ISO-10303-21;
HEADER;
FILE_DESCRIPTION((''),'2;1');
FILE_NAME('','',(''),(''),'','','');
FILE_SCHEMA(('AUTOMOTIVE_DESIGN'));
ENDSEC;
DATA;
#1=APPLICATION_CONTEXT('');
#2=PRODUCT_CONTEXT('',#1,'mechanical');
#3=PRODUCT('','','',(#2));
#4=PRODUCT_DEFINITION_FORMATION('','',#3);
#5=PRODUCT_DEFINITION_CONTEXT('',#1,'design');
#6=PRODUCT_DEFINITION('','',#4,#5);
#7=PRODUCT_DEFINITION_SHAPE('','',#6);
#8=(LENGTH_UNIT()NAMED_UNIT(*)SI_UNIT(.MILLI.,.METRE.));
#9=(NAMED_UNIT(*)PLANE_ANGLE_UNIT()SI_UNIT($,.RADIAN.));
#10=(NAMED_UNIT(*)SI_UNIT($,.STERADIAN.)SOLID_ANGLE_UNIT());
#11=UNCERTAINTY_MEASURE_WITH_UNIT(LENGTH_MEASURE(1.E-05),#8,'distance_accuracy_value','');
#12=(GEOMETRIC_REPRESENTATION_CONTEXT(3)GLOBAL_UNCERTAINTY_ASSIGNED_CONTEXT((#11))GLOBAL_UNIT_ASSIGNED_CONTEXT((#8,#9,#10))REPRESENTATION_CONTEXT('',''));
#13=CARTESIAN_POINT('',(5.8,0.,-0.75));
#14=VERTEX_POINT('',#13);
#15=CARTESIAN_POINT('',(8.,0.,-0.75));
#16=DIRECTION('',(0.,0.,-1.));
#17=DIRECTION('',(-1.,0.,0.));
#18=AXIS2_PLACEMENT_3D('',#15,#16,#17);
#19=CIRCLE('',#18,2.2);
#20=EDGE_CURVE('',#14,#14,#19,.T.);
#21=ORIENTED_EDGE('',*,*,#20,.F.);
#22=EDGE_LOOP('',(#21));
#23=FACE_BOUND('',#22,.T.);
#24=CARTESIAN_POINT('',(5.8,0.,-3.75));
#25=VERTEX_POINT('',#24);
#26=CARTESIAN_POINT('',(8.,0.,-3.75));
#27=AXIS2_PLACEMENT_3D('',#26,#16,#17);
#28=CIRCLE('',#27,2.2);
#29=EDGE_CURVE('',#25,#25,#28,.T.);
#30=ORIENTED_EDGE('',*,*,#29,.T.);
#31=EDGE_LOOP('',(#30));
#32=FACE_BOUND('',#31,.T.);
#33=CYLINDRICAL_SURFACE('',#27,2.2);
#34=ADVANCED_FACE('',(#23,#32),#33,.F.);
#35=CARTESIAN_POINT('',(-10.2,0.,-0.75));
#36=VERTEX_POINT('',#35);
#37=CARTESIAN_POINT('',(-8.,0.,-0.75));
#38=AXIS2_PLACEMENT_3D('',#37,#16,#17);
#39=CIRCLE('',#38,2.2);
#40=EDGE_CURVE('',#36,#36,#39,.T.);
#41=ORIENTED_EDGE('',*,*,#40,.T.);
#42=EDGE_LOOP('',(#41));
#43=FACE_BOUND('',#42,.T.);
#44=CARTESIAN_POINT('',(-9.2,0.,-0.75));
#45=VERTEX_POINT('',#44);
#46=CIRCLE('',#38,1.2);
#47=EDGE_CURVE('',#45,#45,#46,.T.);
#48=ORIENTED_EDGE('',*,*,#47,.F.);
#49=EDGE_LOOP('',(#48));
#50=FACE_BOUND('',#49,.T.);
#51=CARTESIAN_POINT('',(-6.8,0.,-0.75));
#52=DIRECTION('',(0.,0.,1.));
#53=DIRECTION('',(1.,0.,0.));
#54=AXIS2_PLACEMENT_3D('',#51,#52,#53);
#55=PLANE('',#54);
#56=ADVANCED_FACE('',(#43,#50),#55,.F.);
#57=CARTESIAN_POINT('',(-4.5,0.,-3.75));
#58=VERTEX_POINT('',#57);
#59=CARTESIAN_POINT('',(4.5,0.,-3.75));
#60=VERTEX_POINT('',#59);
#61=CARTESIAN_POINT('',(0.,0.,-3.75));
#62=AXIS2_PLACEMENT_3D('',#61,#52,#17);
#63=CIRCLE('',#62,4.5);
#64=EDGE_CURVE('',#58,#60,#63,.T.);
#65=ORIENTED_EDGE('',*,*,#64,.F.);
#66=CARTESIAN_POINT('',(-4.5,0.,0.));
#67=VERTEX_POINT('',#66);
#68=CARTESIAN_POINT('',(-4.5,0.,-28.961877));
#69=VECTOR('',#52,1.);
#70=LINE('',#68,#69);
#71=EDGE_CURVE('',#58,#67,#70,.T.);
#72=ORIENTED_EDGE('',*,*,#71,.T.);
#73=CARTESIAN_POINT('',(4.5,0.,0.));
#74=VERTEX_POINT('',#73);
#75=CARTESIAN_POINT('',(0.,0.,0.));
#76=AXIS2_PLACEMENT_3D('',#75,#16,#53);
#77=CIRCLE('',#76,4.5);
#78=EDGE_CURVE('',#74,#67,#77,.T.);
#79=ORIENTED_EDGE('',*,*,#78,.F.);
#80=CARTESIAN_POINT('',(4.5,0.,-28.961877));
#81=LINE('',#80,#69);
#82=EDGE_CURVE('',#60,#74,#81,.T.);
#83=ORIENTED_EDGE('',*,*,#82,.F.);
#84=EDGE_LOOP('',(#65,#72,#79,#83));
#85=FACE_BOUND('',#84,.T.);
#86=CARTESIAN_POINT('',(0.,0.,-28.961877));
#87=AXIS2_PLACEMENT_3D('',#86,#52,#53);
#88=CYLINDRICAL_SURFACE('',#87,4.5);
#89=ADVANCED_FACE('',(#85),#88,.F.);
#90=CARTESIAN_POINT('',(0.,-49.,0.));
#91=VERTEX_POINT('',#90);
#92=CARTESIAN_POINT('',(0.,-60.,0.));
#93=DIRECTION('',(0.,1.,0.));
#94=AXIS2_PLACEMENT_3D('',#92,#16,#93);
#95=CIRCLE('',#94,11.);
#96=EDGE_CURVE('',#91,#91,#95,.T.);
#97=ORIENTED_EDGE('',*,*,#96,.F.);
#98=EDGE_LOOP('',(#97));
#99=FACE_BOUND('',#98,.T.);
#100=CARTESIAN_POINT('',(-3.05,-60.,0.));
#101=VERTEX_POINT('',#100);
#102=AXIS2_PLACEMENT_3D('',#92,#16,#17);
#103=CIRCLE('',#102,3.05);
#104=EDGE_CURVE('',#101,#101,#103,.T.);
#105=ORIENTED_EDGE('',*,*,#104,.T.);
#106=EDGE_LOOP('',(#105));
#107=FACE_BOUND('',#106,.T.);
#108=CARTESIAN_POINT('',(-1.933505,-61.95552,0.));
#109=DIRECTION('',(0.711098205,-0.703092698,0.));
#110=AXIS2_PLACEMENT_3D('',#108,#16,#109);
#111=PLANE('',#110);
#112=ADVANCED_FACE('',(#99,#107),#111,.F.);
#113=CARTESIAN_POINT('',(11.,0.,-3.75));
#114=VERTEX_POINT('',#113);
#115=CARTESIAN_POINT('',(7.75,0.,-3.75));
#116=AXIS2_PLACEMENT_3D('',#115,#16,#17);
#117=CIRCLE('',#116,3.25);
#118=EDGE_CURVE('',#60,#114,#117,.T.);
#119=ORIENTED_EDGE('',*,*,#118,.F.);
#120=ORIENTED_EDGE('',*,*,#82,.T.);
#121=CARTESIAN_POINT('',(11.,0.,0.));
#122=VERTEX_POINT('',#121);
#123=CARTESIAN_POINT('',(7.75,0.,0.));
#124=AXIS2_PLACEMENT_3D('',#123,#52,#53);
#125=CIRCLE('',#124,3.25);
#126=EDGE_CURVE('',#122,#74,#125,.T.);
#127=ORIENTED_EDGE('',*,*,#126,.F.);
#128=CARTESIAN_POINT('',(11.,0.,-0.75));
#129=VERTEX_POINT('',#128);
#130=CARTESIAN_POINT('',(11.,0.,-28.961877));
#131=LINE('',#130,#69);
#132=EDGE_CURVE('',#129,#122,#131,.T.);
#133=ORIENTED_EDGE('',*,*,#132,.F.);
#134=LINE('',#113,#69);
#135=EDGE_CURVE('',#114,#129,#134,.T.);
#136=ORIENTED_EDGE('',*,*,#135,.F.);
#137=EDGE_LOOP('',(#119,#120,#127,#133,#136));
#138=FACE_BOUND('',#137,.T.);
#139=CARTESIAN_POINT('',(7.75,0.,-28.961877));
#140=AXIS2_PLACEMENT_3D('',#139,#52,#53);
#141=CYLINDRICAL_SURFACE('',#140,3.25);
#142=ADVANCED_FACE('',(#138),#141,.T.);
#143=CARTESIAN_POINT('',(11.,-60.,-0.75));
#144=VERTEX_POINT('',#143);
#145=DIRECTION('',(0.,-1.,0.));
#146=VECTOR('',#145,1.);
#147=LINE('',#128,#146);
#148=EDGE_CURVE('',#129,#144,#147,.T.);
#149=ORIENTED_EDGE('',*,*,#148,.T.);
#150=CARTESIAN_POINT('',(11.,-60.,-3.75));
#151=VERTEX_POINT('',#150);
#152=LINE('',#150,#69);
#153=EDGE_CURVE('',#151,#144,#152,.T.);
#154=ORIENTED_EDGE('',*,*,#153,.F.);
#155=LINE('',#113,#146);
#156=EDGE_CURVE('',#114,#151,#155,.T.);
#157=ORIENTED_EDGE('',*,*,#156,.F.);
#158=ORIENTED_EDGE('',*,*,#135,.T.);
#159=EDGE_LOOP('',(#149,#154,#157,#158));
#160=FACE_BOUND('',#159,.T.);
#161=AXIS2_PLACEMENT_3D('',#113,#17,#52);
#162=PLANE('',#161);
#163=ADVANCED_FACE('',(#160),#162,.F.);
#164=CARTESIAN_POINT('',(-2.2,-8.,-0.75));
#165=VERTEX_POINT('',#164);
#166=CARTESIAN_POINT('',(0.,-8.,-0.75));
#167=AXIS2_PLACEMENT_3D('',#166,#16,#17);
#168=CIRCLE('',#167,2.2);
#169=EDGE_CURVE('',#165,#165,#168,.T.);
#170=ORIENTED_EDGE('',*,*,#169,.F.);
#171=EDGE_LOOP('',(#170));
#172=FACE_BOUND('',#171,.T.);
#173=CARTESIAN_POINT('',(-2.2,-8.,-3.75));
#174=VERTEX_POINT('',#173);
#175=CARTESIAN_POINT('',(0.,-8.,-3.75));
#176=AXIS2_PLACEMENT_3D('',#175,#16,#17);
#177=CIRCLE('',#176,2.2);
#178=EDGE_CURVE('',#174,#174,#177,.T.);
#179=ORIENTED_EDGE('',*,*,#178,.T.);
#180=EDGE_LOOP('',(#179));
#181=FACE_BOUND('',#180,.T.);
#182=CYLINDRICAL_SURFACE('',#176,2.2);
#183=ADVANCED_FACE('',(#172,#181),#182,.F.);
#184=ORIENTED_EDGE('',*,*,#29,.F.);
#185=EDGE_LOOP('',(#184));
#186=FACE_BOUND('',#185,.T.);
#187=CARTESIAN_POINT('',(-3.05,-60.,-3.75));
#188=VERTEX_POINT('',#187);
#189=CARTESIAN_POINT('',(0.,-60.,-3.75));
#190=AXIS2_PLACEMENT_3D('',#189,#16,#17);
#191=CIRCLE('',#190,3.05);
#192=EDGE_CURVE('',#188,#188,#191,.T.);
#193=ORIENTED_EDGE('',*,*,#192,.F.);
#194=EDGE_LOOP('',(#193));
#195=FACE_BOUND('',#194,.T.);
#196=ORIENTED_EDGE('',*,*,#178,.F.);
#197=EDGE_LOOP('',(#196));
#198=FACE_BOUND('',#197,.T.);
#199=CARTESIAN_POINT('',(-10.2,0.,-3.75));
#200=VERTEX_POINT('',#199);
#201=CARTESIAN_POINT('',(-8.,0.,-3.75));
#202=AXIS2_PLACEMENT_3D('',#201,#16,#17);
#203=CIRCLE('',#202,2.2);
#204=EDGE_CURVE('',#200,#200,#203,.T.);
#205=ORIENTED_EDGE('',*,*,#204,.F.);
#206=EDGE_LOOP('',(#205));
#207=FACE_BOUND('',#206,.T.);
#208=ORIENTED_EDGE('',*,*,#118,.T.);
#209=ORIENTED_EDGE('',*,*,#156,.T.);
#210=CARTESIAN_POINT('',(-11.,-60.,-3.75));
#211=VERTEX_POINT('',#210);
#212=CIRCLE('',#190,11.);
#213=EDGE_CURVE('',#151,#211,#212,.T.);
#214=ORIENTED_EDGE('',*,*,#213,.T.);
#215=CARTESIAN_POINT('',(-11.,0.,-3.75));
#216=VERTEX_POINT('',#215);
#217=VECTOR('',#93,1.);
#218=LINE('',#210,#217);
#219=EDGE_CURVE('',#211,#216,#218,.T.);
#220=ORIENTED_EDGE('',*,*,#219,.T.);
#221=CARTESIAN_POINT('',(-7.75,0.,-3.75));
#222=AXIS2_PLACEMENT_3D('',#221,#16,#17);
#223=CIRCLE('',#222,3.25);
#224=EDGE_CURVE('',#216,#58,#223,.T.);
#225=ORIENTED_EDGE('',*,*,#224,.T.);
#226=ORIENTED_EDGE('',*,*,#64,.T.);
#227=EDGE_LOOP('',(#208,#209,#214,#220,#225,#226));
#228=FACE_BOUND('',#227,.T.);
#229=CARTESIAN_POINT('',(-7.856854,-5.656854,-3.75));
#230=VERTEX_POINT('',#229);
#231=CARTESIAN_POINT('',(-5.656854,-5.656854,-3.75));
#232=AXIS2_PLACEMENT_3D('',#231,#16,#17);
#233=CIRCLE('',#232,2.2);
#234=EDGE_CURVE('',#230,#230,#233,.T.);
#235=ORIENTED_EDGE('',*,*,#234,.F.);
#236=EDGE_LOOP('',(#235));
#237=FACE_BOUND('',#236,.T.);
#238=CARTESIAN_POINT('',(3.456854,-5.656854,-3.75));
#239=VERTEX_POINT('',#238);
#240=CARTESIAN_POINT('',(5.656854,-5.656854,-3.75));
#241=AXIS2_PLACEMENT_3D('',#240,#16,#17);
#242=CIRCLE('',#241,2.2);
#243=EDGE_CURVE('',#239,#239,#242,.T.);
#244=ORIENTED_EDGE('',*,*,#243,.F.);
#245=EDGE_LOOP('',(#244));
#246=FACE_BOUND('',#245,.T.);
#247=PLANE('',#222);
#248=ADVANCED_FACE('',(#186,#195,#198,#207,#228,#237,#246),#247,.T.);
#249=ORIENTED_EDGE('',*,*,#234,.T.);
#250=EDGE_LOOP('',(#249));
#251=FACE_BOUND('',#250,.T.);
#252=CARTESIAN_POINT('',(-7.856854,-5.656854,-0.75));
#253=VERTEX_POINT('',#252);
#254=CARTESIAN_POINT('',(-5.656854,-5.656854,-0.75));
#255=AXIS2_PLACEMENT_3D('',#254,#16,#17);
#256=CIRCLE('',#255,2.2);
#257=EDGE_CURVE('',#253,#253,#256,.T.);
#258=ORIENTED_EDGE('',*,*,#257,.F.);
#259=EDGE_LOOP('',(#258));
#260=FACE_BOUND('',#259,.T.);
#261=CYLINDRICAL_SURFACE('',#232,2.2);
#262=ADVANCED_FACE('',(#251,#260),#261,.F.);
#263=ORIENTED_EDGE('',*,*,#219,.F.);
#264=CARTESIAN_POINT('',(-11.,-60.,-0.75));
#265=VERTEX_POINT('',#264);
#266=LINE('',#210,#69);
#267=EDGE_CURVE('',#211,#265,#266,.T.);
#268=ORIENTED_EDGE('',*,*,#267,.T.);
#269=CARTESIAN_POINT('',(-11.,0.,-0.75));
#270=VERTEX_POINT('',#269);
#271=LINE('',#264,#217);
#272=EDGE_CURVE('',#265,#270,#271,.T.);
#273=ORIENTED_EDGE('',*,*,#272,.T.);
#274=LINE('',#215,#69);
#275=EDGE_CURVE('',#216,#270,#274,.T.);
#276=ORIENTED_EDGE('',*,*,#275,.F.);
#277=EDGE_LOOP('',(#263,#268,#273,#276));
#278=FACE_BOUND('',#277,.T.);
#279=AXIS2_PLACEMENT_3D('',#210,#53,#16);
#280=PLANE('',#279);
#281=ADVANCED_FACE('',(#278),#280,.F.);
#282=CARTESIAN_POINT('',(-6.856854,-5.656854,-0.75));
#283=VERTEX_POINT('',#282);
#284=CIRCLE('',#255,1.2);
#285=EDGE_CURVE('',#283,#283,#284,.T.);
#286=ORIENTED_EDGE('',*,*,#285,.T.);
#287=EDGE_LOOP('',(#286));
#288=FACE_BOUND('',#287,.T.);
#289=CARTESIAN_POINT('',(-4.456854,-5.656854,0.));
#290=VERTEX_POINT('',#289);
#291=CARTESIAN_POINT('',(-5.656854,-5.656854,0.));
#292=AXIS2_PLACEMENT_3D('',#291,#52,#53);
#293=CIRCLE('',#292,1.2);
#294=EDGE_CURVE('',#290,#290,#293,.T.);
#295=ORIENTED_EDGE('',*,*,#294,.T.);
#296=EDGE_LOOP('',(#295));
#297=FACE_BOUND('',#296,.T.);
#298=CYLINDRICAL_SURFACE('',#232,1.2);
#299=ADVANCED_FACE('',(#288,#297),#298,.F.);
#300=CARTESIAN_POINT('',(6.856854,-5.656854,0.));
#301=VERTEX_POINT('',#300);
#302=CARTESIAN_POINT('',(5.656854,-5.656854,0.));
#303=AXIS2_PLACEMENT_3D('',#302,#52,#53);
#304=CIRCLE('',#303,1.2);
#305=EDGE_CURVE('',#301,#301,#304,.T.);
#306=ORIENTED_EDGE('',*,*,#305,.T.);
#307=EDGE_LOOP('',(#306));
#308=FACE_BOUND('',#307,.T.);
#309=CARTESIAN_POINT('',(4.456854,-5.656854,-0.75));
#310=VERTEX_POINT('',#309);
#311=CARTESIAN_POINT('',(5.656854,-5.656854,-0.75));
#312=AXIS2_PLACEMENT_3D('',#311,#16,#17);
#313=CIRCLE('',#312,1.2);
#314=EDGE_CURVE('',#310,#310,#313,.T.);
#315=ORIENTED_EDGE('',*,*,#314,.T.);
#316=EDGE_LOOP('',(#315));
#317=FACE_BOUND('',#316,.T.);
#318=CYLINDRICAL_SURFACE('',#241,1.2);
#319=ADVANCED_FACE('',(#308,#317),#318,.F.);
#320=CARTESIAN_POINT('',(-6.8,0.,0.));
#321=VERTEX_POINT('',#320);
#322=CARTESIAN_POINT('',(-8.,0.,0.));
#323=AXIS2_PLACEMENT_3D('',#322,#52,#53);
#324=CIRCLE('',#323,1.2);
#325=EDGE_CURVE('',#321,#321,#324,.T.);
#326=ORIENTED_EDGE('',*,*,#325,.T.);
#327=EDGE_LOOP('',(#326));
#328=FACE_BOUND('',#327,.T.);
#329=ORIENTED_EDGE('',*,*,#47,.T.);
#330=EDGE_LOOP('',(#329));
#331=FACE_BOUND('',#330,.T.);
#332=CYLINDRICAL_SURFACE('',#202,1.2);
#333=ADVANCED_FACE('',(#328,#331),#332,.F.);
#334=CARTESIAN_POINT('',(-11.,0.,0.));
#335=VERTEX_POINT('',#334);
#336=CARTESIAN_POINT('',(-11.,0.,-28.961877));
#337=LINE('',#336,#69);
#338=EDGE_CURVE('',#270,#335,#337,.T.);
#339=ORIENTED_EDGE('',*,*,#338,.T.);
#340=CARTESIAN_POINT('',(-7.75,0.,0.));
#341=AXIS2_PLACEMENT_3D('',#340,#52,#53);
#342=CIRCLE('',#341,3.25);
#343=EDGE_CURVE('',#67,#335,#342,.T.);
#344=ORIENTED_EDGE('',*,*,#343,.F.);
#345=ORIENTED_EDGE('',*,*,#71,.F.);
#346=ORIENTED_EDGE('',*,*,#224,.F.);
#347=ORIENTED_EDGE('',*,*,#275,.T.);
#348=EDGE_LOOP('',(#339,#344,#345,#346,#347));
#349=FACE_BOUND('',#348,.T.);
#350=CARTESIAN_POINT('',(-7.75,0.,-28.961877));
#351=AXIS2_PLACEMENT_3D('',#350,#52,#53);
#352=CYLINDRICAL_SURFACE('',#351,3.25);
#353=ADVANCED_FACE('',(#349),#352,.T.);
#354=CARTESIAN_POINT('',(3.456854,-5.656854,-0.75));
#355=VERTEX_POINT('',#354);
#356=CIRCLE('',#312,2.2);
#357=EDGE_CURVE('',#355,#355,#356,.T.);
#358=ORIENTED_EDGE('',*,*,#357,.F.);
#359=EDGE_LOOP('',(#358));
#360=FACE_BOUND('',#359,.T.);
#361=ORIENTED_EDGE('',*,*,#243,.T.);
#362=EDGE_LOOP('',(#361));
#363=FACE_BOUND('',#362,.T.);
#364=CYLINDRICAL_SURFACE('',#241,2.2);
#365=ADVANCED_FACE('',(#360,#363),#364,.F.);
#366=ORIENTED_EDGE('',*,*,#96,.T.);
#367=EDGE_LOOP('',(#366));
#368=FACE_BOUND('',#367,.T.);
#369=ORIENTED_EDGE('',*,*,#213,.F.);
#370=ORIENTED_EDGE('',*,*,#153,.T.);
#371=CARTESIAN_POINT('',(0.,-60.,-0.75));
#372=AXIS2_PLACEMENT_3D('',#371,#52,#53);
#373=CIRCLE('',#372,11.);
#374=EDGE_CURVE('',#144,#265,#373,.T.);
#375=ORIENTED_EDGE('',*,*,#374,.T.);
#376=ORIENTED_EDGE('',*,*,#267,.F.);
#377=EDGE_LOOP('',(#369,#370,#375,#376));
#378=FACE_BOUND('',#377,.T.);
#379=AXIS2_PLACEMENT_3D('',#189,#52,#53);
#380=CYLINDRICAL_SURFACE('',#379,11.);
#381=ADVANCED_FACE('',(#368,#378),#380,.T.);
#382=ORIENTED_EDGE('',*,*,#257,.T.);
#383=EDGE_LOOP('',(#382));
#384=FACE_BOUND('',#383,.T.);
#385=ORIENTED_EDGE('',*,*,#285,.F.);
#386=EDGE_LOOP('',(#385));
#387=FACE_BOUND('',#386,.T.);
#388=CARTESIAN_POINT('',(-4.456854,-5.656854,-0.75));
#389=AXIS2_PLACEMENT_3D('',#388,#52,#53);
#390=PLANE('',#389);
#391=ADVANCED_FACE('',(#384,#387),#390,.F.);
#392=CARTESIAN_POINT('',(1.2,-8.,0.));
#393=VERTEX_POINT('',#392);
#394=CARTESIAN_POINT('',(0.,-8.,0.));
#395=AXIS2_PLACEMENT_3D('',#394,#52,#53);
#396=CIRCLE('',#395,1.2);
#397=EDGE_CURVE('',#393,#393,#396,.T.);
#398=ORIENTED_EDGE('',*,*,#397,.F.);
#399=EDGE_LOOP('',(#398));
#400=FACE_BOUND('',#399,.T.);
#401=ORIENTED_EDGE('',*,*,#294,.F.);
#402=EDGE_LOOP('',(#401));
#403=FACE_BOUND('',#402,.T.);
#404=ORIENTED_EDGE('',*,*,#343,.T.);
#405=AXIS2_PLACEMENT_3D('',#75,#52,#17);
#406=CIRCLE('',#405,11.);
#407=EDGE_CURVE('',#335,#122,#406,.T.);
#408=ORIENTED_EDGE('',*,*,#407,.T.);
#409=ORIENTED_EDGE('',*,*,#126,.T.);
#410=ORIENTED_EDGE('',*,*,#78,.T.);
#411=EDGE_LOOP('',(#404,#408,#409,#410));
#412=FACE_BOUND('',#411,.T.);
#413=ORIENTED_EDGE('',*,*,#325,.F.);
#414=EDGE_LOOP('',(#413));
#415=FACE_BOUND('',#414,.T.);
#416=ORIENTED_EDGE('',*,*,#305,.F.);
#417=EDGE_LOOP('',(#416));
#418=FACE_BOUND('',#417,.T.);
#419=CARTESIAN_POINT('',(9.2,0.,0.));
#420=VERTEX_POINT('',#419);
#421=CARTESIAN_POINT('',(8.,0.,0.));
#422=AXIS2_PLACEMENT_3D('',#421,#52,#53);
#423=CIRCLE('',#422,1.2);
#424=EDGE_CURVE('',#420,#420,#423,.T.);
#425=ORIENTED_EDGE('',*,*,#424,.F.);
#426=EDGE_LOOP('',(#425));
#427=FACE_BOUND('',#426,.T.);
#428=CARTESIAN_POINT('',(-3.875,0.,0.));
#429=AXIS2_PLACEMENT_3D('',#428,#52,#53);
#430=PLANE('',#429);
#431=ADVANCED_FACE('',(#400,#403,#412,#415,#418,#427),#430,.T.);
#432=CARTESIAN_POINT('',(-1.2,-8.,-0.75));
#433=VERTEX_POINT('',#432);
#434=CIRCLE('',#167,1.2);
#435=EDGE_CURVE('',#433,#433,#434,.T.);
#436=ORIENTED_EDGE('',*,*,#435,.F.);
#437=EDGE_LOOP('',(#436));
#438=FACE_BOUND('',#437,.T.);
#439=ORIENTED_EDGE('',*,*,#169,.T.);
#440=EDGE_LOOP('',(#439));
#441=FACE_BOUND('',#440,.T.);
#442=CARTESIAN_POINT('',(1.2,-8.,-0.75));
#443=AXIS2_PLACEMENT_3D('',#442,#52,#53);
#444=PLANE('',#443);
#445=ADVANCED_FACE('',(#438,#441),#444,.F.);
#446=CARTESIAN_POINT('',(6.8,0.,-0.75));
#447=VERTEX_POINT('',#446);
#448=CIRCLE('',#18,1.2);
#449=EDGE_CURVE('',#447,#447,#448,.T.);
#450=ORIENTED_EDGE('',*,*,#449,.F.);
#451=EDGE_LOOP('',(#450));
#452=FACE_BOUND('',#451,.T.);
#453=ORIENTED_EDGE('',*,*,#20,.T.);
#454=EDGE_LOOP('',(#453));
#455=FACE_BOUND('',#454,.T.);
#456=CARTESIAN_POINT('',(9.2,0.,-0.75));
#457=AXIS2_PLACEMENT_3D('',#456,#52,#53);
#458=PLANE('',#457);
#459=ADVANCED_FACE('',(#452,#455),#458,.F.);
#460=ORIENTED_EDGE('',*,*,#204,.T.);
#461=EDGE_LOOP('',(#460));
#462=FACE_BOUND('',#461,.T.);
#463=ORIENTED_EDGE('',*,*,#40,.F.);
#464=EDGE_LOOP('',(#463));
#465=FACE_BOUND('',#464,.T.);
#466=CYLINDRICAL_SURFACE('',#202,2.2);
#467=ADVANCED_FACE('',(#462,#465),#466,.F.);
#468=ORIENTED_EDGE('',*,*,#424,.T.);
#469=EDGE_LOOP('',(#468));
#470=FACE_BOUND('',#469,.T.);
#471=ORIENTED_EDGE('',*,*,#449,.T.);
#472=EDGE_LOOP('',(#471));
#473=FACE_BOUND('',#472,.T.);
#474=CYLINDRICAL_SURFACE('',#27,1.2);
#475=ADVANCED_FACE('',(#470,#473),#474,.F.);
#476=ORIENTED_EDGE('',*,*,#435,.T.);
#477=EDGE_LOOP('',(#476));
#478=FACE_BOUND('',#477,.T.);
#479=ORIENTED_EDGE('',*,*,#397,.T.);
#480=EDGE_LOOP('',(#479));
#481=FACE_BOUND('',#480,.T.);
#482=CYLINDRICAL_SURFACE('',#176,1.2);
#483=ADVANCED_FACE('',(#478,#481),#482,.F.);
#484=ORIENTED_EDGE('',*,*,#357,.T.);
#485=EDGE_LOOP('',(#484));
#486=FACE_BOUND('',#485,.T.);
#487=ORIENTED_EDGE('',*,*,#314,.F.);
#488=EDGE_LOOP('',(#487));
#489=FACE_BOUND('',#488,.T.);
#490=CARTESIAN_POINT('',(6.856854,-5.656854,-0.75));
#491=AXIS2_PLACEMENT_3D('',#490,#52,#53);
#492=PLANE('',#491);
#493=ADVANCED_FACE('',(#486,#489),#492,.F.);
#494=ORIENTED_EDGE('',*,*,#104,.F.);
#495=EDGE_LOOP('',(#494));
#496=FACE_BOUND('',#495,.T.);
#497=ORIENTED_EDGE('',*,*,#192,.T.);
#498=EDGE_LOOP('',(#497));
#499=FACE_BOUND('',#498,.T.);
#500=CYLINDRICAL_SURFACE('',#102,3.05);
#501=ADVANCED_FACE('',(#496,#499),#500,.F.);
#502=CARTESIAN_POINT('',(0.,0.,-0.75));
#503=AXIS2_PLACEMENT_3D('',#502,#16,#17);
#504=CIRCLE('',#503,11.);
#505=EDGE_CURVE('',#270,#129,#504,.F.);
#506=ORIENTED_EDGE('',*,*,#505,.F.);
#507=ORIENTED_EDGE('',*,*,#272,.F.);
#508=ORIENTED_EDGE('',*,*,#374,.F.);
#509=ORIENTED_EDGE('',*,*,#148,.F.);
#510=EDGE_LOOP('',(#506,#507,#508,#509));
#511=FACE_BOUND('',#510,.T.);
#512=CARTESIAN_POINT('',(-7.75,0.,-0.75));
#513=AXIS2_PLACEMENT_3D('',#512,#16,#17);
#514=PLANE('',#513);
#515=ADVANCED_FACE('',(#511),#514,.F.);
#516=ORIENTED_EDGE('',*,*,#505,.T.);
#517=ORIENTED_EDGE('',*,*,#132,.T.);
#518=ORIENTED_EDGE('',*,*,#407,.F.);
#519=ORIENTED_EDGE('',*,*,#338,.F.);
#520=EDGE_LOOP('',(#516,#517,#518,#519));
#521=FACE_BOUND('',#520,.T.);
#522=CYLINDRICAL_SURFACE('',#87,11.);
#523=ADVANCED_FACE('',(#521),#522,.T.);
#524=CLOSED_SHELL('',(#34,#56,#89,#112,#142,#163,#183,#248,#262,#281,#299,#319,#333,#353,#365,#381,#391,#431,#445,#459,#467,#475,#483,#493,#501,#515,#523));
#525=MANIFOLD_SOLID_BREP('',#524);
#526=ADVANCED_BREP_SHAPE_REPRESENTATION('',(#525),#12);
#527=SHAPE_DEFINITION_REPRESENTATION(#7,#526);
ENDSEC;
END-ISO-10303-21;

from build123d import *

# Parameters (mm, degrees)
RESSALTO_EXTRUS_O1_DEPTH          = 0.75
RESSALTO_EXTRUS_O2_DEPTH          = 3
REBAIXO_PARA_SHCS_M21_D           = 2.4
REBAIXO_PARA_SHCS_M21_CBORE_D     = 4.4
REBAIXO_PARA_SHCS_M21_CBORE_DEPTH = 3
RESSALTO_EXTRUS_O3_START          = 0.75
ESBO_O4_R                         = 11
RESSALTO_EXTRUS_O3_DEPTH          = 0.75
ESBO_O5_R                         = 3.05
CORTE_EXTRUS_O1_DEPTH             = 72.944857356


with BuildPart() as part:
    # Esboço1 → Ressalto-extrusão1 (new body)
    with BuildSketch(Plane.XY):
        with BuildLine():
            ThreePointArc((-4.5, 0), (0, -4.5), (4.5, 0))
            ThreePointArc((4.5, 0), (7.75, 3.25), (11, 0))
            ThreePointArc((11, 0), (0, -11), (-11, 0))
            ThreePointArc((-11, 0), (-7.75, 3.25), (-4.5, 0))
        make_face()
    extrude(amount=-RESSALTO_EXTRUS_O1_DEPTH)

    # Esboço3 → Ressalto-extrusão2 (add)
    with BuildSketch(Plane(origin=(0, 0, -0.75), x_dir=(-1, 0, 0), z_dir=(0, 0, -1))):
        with BuildLine():
            Line((-11, 0), (-11, -60))
            ThreePointArc((-11, -60), (0, -71), (11, -60))
            Line((11, -60), (11, 0))
            ThreePointArc((11, 0), (7.75, 3.25), (4.5, 0))
            ThreePointArc((4.5, 0), (0, -4.5), (-4.5, 0))
            ThreePointArc((-4.5, 0), (-7.75, 3.25), (-11, 0))
        make_face()
    extrude(amount=RESSALTO_EXTRUS_O2_DEPTH)

    # Rebaixo para SHCS M21 (through all)
    with Locations(Plane(origin=(0, 0, -3.75), x_dir=(-1, 0, 0), z_dir=(0, 0, -1))):
        with Locations((-8, 0), (-5.656854249, -5.656854249), (0, -8), (5.656854249, -5.656854249), (8, 0)):
            CounterBoreHole(REBAIXO_PARA_SHCS_M21_D / 2, REBAIXO_PARA_SHCS_M21_CBORE_D / 2, REBAIXO_PARA_SHCS_M21_CBORE_DEPTH)

    # Esboço4 → Ressalto-extrusão3 (add)
    with BuildSketch(Plane.XY.offset(-0.75).offset(RESSALTO_EXTRUS_O3_START)):
        with Locations((0, -60)):
            Circle(ESBO_O4_R)
    extrude(amount=-RESSALTO_EXTRUS_O3_DEPTH)

    # Esboço5 → Corte-extrusão1 (cut, through all)
    with BuildSketch(Plane(origin=(0, 0, -3.75), x_dir=(-1, 0, 0), z_dir=(0, 0, -1))):
        with Locations((0, -60)):
            Circle(ESBO_O5_R)
    extrude(amount=-CORTE_EXTRUS_O1_DEPTH, mode=Mode.SUBTRACT)


solid = part.part
